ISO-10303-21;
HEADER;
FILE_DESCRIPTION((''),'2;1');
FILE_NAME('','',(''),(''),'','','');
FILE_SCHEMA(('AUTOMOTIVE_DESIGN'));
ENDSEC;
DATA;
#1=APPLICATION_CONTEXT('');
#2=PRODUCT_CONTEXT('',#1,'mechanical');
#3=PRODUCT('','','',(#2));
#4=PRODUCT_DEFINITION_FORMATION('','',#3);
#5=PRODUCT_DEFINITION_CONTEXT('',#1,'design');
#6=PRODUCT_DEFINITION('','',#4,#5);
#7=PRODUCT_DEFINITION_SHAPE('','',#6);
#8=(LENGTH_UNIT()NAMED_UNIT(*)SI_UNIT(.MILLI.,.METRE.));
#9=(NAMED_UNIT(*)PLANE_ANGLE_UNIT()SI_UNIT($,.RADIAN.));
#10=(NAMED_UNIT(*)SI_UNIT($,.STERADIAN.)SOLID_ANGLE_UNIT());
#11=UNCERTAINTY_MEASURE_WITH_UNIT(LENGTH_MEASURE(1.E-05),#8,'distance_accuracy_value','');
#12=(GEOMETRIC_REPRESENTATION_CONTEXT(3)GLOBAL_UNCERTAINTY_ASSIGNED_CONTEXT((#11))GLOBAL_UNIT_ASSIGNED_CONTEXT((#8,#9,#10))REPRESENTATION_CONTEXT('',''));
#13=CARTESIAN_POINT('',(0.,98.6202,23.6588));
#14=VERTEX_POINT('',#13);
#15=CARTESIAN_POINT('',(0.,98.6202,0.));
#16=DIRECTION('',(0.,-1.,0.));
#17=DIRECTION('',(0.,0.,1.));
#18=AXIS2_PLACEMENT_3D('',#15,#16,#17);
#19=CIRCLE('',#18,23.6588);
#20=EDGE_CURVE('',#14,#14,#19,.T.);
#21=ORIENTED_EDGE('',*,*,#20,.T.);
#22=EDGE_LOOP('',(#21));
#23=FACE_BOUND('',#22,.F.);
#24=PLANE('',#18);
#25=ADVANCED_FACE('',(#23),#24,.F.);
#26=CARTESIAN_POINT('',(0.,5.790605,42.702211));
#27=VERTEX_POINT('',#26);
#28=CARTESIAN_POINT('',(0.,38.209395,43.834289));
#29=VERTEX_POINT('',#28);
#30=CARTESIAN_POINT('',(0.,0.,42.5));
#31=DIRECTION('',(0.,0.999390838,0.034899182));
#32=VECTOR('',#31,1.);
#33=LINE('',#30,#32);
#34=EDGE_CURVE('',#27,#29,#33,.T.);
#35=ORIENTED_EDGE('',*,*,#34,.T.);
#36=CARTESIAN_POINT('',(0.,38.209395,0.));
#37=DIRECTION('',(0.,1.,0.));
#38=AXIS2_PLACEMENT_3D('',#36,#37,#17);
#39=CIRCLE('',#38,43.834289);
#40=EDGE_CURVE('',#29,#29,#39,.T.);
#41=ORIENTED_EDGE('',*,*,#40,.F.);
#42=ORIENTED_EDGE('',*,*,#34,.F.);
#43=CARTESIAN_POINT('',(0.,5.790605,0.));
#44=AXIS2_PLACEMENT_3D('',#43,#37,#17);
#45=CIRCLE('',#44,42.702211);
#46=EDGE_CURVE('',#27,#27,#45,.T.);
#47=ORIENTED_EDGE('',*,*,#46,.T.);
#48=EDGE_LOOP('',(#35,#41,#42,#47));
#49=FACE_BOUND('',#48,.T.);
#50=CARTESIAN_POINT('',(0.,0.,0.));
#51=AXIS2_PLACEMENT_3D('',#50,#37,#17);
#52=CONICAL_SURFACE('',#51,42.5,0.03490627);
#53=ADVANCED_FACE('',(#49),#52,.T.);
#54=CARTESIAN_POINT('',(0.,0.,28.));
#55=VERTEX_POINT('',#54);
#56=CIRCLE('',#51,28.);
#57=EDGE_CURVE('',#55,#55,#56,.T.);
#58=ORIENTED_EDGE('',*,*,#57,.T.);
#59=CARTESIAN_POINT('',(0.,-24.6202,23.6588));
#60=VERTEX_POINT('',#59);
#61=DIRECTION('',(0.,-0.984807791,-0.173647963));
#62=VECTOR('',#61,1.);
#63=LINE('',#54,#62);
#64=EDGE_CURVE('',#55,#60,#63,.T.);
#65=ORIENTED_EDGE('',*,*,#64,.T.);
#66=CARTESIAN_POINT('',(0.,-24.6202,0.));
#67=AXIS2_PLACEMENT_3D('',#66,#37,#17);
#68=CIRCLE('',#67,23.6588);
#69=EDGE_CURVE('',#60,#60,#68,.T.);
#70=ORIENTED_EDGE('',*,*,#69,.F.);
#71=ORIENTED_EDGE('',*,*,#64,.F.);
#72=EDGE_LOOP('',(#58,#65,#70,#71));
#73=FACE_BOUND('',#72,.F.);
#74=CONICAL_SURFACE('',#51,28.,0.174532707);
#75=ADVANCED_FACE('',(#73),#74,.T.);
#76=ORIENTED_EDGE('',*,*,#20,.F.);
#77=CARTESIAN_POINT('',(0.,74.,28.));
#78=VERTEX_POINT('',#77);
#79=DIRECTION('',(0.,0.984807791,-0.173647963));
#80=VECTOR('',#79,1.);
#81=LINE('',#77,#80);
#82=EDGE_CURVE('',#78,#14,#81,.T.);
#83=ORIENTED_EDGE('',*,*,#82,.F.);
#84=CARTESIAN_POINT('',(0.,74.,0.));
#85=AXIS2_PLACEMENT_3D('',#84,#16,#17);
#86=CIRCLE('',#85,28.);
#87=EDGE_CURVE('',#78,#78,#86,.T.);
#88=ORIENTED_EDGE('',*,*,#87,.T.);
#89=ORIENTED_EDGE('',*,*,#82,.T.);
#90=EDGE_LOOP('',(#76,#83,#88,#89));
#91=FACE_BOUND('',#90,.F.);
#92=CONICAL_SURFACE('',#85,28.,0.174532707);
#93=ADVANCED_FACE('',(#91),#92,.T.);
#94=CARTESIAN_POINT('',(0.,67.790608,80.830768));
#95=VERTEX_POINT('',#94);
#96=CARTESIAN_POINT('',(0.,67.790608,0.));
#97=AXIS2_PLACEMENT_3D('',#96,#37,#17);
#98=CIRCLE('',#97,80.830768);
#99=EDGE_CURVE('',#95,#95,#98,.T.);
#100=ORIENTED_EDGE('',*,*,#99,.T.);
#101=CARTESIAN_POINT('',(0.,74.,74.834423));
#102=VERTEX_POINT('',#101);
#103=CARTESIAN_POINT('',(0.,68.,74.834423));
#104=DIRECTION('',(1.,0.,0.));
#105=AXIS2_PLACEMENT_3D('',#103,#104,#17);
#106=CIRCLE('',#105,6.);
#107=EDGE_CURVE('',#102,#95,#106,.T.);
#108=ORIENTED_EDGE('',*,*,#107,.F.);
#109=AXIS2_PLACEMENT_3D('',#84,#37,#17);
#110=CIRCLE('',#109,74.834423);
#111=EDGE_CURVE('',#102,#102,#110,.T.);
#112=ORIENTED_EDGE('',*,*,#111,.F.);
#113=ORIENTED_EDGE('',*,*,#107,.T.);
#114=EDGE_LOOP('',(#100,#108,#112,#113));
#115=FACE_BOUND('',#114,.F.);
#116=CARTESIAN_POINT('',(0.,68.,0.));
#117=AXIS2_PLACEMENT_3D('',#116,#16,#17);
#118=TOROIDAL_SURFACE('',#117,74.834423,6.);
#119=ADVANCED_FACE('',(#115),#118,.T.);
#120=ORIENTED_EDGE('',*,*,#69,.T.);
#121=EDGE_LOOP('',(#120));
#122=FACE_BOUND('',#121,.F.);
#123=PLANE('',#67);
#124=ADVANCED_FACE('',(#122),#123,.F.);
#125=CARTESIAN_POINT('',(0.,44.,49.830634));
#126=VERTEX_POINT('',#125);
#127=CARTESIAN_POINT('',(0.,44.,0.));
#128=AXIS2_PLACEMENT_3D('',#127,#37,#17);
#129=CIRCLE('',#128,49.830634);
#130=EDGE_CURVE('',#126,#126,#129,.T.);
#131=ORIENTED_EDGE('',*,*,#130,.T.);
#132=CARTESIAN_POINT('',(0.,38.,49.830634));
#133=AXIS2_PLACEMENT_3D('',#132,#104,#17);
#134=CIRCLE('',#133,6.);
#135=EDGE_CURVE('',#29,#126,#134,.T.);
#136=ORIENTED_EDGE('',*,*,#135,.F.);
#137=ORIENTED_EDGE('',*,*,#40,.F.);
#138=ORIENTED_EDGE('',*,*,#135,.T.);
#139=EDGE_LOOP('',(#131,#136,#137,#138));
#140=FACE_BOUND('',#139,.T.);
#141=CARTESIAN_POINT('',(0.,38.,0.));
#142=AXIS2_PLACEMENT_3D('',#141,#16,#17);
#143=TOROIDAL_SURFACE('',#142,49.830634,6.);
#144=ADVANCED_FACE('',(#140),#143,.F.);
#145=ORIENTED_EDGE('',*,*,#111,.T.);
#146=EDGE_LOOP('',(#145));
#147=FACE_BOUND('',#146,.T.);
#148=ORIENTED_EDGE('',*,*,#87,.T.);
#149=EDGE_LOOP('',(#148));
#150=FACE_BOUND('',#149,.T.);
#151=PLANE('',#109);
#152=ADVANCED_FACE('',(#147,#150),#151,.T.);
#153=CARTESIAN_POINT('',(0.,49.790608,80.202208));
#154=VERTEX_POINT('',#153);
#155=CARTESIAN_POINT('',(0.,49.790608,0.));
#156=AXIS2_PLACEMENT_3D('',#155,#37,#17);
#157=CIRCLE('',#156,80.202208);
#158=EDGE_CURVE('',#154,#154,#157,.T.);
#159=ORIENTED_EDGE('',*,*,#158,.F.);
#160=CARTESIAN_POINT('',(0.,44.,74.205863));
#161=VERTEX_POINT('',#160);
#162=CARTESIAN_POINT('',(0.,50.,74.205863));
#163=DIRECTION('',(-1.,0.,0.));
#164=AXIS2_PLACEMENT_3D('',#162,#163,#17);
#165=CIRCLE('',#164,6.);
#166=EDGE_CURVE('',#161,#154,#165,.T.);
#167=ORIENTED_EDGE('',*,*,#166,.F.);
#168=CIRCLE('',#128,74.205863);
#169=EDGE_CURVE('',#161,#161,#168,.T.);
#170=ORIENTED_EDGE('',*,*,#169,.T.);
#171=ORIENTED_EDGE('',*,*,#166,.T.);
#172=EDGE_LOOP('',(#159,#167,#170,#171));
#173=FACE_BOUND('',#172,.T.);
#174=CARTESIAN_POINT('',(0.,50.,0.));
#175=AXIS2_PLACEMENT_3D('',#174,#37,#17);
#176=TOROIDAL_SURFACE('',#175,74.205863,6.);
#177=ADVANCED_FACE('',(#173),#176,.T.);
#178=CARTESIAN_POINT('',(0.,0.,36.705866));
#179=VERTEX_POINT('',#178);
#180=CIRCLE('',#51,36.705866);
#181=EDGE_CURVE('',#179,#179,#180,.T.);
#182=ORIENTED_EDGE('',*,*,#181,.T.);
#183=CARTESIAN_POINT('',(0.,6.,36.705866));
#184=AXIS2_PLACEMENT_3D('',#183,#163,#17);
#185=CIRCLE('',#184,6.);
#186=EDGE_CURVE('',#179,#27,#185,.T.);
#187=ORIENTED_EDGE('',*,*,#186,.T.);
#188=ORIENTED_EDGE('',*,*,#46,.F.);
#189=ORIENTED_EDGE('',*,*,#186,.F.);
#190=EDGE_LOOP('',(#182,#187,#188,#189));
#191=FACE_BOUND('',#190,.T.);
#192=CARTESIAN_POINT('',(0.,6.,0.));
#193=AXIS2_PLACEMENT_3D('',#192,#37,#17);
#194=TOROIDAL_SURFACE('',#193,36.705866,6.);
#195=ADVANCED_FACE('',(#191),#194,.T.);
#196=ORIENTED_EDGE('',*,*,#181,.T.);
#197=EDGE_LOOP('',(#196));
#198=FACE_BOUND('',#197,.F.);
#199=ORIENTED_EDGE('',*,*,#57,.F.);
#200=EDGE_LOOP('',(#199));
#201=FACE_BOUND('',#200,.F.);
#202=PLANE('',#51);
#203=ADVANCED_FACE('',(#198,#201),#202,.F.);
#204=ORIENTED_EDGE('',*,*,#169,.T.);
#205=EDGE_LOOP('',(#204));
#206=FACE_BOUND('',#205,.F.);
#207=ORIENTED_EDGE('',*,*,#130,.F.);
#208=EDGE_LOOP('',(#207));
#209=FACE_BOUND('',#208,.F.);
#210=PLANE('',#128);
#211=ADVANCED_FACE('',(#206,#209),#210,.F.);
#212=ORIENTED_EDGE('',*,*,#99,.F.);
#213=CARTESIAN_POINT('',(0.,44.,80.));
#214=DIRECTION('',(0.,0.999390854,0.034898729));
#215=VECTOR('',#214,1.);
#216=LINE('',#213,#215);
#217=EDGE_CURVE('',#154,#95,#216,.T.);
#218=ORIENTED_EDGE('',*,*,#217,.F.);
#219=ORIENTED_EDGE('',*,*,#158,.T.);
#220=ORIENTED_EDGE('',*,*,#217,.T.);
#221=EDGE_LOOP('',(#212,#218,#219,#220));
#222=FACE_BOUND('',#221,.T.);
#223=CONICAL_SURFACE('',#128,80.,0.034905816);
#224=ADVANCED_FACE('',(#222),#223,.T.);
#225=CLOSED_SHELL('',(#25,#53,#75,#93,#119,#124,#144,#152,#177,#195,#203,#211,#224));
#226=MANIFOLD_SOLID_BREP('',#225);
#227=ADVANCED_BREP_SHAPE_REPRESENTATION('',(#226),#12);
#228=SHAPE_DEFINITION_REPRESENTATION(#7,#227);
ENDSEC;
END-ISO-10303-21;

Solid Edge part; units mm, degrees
sketch "Sketch1" plane through (0, 0, 0) normal (1, 0, 0) x (0, 1, 0)
  line L0 (74, 81.0476) -> (74, 0)
  line L1 (44, 80) -> (74, 81.0476)
  line L2 (44, 80) -> (44, 44.0365)
  line L3 (0, 42.5) -> (44, 44.0365)
  line L4 (0, 42.5) -> (0, 0)
  dimension "D1" = 42.5
  dimension "D2" = 35.9635
  dimension "D3" = 81.0476
  dimension "D4" = 30.0183
  dimension "D5" = 44.0268
revolve "RevolvedProtrusion1" add sketch "Sketch1" angle 360 about axis through (0, 0, 0) along (0, 1, 0)
fillet "Raccordi_grezzo" radius 6 4 edges at (0, 74, 81.0476) (0, 44, 80) (0, 44, 44.0365) (0, 0, 42.5)
sketch "Sketch2" plane through (0, 0, 0) normal (-1, 0, 0) x (0, -1, 0)
  line L0 (0, 0) -> (0, 28)
  line L1 (0, 28) -> (24.6202, 23.6588)
  line L2 (24.6202, 23.6588) -> (24.6202, 0)
revolve "RevolvedProtrusion2" add sketch "Sketch2" angle 360 about axis through (0, -24.6202, 0) along (0, 1, 0)
sketch "Sketch3" plane through (0, 0, 0) normal (-1, 0, 0) x (0, -1, 0)
  line L0 (-74, 0) -> (-74, 28)
  line L1 (-74, 28) -> (-98.6202, 23.6588)
  line L2 (-98.6202, 23.6588) -> (-98.6202, 0)
revolve "RevolvedProtrusion3" add sketch "Sketch3" angle 360 about axis through (0, 98.6202, 0) along (0, -1, 0)
properties material "Acciaio"
